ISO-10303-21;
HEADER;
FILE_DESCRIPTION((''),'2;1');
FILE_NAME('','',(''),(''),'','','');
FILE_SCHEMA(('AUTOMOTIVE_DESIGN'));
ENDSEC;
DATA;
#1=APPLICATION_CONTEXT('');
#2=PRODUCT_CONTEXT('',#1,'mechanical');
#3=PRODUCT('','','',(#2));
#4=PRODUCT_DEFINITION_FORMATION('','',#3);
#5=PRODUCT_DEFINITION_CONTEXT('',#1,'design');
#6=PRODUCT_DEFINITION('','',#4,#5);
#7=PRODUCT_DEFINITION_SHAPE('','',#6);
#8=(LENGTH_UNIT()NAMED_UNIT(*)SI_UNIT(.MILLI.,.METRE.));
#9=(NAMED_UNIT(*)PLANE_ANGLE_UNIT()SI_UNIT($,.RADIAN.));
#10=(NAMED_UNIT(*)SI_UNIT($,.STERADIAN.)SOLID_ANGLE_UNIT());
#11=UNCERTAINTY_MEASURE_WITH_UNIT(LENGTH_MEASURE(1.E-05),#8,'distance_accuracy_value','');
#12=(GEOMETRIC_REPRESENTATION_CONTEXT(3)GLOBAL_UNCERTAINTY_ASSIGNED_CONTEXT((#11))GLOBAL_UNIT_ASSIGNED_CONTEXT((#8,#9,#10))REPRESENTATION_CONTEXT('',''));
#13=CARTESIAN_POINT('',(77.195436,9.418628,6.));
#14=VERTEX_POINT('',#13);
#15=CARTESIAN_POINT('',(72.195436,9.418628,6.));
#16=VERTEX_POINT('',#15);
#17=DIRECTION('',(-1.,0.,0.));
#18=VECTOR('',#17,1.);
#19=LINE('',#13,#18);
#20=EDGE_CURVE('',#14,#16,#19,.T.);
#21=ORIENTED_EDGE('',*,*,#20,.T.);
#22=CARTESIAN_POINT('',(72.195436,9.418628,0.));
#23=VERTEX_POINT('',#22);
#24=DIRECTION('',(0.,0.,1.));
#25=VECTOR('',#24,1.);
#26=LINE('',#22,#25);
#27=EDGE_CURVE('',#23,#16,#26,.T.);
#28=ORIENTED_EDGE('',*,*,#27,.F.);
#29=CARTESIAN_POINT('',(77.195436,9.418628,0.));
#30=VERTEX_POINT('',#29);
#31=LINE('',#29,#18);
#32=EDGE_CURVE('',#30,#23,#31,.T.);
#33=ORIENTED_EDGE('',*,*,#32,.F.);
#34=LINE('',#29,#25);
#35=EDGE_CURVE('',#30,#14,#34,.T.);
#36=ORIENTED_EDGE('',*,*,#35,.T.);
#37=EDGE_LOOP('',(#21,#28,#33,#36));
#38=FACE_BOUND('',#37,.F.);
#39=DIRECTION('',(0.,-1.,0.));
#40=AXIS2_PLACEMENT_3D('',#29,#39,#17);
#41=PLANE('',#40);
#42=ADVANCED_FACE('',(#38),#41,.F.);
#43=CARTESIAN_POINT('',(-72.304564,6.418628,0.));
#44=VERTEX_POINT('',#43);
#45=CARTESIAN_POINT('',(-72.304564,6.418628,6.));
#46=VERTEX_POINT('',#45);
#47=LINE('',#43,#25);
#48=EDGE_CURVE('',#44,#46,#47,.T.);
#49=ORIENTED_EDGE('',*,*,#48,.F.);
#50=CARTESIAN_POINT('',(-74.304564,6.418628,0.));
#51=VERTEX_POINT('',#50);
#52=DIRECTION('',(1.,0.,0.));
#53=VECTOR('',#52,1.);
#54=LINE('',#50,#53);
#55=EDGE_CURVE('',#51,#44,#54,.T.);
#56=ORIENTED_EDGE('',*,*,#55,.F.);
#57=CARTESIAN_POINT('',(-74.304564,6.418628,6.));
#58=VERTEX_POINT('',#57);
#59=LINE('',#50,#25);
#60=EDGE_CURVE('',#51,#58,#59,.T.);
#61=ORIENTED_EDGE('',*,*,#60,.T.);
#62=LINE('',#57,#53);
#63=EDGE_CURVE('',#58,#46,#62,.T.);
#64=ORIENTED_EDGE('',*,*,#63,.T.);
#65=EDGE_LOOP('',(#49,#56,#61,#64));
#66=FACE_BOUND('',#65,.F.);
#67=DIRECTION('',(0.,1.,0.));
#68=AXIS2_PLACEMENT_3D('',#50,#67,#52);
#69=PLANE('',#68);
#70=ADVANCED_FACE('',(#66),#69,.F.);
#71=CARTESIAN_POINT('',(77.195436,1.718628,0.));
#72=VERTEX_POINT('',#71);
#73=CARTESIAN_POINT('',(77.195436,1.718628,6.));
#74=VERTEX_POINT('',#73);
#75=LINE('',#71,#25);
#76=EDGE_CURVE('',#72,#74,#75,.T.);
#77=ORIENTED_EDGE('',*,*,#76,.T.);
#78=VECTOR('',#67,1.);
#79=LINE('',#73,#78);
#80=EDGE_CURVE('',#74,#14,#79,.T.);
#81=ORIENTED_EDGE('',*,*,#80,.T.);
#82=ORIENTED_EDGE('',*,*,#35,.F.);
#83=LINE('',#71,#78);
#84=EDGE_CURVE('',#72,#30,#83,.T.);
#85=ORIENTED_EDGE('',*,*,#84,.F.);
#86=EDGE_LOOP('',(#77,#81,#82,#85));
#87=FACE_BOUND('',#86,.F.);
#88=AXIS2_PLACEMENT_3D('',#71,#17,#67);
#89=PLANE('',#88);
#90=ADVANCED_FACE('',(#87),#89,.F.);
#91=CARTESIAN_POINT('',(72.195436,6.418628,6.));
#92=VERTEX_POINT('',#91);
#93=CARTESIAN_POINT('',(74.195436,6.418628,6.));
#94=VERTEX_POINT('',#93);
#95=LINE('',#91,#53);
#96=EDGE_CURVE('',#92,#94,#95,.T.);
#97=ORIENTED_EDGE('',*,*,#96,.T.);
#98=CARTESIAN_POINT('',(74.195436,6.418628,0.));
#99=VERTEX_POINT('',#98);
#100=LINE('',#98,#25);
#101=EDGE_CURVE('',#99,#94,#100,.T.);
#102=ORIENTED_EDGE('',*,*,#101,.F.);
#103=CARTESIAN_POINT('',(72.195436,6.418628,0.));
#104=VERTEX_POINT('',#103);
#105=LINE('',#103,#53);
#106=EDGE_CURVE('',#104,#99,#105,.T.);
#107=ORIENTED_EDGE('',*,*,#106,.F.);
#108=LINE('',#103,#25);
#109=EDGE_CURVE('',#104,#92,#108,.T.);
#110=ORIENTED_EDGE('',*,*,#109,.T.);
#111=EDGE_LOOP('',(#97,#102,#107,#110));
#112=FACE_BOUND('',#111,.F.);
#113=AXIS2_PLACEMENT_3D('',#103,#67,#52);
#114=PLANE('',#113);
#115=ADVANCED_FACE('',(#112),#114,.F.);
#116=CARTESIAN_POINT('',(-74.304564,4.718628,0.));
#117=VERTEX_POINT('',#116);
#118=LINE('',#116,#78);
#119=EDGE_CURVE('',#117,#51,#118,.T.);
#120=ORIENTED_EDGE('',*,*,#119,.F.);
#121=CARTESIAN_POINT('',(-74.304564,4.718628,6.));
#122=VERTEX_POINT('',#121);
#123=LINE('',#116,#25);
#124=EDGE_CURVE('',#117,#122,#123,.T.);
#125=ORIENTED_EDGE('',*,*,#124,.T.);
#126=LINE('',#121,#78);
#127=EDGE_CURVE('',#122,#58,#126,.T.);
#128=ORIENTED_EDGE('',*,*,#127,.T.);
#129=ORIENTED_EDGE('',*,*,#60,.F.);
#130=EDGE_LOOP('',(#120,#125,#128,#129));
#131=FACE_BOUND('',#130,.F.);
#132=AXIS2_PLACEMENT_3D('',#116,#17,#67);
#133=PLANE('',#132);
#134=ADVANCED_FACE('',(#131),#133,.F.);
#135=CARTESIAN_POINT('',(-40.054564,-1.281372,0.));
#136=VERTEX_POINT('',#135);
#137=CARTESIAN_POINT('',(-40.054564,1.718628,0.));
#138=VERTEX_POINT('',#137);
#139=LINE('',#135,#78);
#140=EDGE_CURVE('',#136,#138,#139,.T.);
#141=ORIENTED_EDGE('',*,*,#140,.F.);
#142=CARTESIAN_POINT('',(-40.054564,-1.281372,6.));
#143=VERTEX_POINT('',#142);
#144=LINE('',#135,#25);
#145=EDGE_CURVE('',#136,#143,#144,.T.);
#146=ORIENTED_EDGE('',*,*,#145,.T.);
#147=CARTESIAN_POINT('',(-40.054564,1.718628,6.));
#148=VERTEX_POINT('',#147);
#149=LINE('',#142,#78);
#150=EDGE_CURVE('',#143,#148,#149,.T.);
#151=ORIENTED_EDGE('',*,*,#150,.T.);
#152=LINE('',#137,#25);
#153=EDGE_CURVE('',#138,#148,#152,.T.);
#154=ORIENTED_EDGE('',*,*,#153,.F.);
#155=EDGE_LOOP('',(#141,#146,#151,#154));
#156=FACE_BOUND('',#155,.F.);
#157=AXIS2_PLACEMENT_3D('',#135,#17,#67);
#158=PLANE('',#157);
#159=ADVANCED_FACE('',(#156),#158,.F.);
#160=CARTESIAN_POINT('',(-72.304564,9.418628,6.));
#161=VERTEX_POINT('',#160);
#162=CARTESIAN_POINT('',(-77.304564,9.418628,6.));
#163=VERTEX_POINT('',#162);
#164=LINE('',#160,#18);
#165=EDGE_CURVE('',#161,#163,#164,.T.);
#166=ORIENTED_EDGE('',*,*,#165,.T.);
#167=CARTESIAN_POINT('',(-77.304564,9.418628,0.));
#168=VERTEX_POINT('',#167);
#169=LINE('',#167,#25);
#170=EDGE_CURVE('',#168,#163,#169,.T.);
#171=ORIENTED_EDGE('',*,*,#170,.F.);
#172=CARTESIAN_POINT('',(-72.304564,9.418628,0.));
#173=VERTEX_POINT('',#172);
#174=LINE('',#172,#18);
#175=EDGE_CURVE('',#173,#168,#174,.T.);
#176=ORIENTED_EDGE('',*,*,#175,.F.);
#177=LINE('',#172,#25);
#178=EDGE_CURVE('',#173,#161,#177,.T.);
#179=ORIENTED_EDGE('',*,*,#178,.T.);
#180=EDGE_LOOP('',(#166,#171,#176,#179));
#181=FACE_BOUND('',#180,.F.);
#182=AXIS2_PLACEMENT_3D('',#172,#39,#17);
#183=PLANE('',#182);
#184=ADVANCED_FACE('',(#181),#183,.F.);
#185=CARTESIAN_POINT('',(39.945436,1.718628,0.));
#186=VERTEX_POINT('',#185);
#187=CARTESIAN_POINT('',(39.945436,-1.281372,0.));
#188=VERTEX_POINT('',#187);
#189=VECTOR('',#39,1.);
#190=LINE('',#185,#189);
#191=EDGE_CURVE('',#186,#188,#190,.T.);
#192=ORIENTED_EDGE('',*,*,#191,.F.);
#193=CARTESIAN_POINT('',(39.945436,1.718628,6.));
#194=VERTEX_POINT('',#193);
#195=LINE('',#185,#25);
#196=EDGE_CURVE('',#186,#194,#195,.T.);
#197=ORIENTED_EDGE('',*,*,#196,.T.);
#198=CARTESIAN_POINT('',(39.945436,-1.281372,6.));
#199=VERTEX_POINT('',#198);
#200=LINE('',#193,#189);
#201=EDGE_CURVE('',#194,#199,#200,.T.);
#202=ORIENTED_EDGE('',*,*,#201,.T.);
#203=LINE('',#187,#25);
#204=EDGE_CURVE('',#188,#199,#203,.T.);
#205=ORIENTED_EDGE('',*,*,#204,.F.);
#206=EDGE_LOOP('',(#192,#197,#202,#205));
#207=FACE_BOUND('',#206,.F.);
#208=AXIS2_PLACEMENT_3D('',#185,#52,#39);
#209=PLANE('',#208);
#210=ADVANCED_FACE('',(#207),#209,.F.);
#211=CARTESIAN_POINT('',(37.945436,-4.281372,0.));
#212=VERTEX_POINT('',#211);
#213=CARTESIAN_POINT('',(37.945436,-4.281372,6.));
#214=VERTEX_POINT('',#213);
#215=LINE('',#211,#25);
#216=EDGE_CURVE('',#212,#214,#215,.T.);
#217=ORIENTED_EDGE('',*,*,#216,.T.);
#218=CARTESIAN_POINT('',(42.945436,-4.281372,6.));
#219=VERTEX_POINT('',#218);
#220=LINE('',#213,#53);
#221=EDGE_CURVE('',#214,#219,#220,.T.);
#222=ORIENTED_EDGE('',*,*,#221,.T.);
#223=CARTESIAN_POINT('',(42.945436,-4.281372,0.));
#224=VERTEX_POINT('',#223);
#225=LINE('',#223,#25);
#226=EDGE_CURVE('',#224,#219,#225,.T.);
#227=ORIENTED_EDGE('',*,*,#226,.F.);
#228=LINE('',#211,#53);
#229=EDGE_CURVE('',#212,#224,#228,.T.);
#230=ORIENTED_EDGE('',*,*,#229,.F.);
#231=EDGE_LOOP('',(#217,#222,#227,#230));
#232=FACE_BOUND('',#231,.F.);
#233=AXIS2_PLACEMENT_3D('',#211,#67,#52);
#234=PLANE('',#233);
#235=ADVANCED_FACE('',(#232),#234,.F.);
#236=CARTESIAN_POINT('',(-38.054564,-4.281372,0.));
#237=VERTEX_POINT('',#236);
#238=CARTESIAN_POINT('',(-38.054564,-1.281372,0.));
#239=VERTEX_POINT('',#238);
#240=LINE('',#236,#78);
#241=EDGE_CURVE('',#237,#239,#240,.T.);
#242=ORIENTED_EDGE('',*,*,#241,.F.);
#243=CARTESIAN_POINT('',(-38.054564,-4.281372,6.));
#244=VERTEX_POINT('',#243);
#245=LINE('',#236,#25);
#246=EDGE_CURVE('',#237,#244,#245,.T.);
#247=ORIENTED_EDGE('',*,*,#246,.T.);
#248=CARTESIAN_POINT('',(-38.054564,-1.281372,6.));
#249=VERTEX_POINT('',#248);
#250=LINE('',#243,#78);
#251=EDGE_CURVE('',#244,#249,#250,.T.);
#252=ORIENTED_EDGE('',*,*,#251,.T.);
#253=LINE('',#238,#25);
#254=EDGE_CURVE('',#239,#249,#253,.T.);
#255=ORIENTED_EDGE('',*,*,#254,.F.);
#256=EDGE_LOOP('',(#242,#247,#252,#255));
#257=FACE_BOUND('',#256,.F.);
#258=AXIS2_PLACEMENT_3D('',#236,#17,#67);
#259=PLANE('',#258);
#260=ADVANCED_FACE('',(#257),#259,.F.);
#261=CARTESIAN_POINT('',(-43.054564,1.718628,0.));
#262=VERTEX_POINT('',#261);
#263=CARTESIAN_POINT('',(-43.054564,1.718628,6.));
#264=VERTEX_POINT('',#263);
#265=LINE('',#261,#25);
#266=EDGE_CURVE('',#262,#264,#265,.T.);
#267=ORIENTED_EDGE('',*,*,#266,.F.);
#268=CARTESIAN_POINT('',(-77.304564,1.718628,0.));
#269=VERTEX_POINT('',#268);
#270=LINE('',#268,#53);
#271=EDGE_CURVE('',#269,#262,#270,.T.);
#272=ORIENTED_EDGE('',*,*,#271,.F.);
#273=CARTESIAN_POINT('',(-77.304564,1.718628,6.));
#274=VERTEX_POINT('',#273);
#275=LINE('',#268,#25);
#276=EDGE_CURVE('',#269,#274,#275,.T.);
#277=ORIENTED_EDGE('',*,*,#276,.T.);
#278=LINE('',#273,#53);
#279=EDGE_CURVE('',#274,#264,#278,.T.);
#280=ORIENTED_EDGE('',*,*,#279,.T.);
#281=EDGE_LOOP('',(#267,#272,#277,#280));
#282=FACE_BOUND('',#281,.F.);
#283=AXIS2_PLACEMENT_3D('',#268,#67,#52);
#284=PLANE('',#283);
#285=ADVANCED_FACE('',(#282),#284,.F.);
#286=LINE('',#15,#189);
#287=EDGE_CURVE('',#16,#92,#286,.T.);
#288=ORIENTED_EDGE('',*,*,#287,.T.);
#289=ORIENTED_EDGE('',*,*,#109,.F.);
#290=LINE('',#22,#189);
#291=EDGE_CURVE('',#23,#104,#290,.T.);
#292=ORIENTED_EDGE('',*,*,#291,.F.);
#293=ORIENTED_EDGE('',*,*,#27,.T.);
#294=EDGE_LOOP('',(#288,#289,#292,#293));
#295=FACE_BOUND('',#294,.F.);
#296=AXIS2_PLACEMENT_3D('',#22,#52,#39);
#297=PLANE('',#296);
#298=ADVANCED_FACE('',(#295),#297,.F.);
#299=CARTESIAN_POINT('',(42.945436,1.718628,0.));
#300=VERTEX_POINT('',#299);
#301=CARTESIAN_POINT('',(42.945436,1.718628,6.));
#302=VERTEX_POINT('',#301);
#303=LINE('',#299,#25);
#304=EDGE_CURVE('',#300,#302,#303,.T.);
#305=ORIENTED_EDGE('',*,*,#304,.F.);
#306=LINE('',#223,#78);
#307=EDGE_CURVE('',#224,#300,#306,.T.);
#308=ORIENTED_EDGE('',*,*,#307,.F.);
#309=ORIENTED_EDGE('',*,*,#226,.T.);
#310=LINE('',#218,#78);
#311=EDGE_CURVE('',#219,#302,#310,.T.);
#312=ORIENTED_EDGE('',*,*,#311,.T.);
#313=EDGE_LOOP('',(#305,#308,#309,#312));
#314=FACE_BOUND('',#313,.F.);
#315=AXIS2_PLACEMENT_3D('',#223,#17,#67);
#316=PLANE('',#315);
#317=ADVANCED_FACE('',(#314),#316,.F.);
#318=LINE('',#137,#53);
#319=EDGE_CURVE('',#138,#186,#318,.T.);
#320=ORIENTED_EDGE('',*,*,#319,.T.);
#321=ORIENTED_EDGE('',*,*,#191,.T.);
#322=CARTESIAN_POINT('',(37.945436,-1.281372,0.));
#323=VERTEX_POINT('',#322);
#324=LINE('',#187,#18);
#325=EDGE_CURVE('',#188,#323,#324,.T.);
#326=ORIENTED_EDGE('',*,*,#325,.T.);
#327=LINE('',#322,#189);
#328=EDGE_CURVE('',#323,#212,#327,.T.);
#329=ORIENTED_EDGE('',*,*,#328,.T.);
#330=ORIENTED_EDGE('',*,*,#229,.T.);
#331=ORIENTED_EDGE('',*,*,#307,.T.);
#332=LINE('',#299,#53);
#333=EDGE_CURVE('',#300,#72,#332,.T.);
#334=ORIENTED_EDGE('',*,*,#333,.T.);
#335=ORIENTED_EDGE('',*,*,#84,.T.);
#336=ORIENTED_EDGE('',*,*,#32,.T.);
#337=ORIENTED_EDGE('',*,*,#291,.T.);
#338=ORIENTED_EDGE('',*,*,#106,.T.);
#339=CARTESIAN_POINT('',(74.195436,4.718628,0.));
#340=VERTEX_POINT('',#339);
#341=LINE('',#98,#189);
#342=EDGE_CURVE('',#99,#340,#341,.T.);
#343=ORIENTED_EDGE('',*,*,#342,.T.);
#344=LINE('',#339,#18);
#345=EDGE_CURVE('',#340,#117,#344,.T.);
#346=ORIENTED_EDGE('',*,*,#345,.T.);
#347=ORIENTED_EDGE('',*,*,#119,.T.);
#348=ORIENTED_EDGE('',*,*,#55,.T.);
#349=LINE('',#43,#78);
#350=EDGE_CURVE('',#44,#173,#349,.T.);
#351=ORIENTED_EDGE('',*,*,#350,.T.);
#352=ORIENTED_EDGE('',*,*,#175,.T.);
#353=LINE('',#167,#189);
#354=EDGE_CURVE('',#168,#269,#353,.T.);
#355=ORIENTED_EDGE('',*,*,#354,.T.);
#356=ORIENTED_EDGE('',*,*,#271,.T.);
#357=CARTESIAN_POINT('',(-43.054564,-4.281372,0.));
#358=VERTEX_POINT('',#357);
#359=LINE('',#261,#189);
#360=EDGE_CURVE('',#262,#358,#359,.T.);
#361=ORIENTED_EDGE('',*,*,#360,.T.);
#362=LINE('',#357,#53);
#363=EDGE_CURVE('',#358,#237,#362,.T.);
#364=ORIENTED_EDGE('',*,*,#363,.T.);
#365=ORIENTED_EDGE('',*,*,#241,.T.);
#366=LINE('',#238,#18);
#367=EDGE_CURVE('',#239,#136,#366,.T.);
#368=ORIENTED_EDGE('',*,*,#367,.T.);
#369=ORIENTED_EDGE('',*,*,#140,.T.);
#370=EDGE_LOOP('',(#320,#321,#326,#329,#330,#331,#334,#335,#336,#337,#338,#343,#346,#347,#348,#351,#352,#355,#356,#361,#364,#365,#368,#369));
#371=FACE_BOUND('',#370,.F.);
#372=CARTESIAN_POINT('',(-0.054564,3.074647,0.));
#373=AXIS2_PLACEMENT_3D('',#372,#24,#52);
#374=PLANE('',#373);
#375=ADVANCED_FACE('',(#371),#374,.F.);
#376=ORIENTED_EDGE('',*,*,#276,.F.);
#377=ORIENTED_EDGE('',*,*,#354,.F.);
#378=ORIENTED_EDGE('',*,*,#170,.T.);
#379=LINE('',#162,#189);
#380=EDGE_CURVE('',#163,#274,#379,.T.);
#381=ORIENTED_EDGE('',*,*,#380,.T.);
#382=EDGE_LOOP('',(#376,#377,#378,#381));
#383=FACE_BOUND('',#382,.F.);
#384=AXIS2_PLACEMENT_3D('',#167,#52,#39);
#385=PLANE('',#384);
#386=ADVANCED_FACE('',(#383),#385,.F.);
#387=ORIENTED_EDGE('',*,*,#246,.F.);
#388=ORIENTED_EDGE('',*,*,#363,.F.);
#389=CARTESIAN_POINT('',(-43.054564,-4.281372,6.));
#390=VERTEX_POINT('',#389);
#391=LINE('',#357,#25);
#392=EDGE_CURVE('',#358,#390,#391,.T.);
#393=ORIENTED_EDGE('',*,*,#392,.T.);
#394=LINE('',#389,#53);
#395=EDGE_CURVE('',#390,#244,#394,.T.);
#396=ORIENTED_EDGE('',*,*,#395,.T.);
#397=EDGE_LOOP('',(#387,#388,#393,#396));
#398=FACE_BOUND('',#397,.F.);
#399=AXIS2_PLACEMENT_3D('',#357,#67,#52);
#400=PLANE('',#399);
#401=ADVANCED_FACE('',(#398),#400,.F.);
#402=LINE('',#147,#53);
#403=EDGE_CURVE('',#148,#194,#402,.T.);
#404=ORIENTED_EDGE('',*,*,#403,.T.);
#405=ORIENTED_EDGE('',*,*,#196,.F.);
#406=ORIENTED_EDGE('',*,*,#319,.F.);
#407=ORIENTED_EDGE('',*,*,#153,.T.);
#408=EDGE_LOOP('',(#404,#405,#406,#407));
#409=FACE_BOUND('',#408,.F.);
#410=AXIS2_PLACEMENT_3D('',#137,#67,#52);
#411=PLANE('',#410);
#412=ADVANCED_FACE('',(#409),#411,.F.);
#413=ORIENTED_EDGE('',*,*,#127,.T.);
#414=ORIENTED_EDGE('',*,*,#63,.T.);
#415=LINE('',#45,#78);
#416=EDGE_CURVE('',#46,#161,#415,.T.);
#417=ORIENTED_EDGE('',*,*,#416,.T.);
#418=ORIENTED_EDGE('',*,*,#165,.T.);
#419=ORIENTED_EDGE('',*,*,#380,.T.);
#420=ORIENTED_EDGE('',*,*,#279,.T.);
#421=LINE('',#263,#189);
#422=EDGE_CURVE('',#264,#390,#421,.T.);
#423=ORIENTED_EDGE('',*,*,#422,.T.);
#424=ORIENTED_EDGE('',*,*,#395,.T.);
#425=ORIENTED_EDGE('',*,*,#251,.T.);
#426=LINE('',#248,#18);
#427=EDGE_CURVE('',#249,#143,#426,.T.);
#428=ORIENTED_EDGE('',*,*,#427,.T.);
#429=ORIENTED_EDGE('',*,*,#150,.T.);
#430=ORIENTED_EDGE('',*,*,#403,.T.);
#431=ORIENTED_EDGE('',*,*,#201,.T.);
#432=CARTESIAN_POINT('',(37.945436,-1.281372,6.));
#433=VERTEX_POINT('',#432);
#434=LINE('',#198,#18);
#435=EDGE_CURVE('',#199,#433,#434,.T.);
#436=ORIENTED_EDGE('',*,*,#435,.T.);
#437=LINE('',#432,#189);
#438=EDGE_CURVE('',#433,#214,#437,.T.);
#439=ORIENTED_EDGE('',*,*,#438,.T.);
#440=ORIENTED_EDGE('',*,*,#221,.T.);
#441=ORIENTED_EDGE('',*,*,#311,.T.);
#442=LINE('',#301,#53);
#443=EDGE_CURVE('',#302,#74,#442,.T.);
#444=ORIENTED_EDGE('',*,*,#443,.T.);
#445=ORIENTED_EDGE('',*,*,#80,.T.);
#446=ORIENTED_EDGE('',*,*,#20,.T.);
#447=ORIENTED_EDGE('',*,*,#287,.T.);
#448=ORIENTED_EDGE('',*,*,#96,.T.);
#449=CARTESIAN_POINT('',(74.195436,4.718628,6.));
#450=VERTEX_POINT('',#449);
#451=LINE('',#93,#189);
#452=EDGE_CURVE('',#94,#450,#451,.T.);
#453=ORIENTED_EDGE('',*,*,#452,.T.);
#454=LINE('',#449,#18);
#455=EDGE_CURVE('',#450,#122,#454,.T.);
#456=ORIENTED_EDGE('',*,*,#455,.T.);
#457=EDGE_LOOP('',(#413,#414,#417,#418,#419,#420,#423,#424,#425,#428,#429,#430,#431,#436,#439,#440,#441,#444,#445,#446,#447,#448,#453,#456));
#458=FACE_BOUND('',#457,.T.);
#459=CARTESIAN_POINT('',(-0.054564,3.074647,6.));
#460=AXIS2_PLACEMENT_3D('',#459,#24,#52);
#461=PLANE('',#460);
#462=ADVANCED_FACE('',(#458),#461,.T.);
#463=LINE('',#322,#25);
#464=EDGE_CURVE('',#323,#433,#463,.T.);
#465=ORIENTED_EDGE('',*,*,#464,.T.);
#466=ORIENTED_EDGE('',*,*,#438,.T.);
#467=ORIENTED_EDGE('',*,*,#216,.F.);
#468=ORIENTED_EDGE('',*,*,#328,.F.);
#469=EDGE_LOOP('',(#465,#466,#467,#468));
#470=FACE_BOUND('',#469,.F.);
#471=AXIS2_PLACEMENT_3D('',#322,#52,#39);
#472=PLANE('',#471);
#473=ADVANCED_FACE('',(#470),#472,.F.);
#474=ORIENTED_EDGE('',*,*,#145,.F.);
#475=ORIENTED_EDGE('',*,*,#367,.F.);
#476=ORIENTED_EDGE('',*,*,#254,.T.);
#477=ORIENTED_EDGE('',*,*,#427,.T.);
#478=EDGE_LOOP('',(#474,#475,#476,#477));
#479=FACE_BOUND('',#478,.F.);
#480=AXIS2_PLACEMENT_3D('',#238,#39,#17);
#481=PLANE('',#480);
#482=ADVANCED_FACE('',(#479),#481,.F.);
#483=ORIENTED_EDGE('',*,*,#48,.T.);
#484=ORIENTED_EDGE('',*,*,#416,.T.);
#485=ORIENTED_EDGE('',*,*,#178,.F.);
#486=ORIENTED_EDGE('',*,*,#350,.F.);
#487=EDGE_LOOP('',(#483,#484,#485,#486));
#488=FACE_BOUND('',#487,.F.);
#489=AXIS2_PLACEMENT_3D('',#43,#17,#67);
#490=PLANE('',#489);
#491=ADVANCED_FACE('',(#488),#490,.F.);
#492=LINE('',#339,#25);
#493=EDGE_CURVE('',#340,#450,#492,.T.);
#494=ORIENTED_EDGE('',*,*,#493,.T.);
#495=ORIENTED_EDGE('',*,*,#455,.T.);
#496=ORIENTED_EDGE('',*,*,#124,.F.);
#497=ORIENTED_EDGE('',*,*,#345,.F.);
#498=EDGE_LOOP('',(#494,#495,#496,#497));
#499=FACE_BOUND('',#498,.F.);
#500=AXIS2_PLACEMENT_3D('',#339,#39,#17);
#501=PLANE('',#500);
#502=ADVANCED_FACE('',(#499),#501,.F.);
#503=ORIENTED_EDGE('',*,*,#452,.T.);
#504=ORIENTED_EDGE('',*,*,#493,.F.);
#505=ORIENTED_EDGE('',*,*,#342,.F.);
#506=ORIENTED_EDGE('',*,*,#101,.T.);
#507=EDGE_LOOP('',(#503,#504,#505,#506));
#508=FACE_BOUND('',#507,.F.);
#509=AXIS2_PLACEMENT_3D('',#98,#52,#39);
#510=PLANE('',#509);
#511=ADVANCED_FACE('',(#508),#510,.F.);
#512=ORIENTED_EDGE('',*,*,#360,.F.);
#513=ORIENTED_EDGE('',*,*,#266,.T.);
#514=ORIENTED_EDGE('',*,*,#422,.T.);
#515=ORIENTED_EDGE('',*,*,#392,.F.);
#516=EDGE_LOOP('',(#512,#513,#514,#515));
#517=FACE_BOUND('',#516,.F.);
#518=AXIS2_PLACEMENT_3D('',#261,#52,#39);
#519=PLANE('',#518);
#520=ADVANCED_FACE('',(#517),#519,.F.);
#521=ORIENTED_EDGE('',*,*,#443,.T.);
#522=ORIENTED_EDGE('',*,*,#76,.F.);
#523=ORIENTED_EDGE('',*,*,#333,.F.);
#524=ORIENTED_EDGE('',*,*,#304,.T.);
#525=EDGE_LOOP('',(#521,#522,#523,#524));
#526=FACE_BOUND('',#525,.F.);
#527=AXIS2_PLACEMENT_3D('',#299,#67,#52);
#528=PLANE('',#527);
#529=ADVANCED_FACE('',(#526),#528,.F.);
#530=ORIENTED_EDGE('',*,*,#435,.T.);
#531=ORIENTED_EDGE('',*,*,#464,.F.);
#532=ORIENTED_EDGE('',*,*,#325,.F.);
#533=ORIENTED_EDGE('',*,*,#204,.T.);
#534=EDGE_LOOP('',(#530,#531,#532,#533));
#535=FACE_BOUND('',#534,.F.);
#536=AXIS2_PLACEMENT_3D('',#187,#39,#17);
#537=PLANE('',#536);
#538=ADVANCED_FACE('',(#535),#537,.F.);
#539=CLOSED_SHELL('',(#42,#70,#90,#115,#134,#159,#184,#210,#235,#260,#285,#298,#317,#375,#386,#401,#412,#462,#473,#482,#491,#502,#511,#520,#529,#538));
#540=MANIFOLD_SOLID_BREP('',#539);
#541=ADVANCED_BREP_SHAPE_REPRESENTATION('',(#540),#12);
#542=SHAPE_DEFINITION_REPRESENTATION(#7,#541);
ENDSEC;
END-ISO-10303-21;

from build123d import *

# Parameters (mm, degrees)
F1_DEPTH = 6


with BuildPart() as f1:
    # F0 (on Top) → F1 (new body)
    with BuildSketch(Plane.XY):
        Polygon((-72.304564, 6.418628), (-72.304564, 9.418628), (-77.304564, 9.418628), (-77.304564, 1.718628), (-43.054564, 1.718628), (-43.054564, -4.281372), (-38.054564, -4.281372), (-38.054564, -1.281372), (-40.054564, -1.281372), (-40.054564, 1.718628), (39.945436, 1.718628), (39.945436, -1.281372), (37.945436, -1.281372), (37.945436, -4.281372), (42.945436, -4.281372), (42.945436, 1.718628), (77.195436, 1.718628), (77.195436, 9.418628), (72.195436, 9.418628), (72.195436, 6.418628), (74.195436, 6.418628), (74.195436, 4.718628), (-74.304564, 4.718628), (-74.304564, 6.418628), align=None)
    extrude(amount=F1_DEPTH)


solid = f1.part
